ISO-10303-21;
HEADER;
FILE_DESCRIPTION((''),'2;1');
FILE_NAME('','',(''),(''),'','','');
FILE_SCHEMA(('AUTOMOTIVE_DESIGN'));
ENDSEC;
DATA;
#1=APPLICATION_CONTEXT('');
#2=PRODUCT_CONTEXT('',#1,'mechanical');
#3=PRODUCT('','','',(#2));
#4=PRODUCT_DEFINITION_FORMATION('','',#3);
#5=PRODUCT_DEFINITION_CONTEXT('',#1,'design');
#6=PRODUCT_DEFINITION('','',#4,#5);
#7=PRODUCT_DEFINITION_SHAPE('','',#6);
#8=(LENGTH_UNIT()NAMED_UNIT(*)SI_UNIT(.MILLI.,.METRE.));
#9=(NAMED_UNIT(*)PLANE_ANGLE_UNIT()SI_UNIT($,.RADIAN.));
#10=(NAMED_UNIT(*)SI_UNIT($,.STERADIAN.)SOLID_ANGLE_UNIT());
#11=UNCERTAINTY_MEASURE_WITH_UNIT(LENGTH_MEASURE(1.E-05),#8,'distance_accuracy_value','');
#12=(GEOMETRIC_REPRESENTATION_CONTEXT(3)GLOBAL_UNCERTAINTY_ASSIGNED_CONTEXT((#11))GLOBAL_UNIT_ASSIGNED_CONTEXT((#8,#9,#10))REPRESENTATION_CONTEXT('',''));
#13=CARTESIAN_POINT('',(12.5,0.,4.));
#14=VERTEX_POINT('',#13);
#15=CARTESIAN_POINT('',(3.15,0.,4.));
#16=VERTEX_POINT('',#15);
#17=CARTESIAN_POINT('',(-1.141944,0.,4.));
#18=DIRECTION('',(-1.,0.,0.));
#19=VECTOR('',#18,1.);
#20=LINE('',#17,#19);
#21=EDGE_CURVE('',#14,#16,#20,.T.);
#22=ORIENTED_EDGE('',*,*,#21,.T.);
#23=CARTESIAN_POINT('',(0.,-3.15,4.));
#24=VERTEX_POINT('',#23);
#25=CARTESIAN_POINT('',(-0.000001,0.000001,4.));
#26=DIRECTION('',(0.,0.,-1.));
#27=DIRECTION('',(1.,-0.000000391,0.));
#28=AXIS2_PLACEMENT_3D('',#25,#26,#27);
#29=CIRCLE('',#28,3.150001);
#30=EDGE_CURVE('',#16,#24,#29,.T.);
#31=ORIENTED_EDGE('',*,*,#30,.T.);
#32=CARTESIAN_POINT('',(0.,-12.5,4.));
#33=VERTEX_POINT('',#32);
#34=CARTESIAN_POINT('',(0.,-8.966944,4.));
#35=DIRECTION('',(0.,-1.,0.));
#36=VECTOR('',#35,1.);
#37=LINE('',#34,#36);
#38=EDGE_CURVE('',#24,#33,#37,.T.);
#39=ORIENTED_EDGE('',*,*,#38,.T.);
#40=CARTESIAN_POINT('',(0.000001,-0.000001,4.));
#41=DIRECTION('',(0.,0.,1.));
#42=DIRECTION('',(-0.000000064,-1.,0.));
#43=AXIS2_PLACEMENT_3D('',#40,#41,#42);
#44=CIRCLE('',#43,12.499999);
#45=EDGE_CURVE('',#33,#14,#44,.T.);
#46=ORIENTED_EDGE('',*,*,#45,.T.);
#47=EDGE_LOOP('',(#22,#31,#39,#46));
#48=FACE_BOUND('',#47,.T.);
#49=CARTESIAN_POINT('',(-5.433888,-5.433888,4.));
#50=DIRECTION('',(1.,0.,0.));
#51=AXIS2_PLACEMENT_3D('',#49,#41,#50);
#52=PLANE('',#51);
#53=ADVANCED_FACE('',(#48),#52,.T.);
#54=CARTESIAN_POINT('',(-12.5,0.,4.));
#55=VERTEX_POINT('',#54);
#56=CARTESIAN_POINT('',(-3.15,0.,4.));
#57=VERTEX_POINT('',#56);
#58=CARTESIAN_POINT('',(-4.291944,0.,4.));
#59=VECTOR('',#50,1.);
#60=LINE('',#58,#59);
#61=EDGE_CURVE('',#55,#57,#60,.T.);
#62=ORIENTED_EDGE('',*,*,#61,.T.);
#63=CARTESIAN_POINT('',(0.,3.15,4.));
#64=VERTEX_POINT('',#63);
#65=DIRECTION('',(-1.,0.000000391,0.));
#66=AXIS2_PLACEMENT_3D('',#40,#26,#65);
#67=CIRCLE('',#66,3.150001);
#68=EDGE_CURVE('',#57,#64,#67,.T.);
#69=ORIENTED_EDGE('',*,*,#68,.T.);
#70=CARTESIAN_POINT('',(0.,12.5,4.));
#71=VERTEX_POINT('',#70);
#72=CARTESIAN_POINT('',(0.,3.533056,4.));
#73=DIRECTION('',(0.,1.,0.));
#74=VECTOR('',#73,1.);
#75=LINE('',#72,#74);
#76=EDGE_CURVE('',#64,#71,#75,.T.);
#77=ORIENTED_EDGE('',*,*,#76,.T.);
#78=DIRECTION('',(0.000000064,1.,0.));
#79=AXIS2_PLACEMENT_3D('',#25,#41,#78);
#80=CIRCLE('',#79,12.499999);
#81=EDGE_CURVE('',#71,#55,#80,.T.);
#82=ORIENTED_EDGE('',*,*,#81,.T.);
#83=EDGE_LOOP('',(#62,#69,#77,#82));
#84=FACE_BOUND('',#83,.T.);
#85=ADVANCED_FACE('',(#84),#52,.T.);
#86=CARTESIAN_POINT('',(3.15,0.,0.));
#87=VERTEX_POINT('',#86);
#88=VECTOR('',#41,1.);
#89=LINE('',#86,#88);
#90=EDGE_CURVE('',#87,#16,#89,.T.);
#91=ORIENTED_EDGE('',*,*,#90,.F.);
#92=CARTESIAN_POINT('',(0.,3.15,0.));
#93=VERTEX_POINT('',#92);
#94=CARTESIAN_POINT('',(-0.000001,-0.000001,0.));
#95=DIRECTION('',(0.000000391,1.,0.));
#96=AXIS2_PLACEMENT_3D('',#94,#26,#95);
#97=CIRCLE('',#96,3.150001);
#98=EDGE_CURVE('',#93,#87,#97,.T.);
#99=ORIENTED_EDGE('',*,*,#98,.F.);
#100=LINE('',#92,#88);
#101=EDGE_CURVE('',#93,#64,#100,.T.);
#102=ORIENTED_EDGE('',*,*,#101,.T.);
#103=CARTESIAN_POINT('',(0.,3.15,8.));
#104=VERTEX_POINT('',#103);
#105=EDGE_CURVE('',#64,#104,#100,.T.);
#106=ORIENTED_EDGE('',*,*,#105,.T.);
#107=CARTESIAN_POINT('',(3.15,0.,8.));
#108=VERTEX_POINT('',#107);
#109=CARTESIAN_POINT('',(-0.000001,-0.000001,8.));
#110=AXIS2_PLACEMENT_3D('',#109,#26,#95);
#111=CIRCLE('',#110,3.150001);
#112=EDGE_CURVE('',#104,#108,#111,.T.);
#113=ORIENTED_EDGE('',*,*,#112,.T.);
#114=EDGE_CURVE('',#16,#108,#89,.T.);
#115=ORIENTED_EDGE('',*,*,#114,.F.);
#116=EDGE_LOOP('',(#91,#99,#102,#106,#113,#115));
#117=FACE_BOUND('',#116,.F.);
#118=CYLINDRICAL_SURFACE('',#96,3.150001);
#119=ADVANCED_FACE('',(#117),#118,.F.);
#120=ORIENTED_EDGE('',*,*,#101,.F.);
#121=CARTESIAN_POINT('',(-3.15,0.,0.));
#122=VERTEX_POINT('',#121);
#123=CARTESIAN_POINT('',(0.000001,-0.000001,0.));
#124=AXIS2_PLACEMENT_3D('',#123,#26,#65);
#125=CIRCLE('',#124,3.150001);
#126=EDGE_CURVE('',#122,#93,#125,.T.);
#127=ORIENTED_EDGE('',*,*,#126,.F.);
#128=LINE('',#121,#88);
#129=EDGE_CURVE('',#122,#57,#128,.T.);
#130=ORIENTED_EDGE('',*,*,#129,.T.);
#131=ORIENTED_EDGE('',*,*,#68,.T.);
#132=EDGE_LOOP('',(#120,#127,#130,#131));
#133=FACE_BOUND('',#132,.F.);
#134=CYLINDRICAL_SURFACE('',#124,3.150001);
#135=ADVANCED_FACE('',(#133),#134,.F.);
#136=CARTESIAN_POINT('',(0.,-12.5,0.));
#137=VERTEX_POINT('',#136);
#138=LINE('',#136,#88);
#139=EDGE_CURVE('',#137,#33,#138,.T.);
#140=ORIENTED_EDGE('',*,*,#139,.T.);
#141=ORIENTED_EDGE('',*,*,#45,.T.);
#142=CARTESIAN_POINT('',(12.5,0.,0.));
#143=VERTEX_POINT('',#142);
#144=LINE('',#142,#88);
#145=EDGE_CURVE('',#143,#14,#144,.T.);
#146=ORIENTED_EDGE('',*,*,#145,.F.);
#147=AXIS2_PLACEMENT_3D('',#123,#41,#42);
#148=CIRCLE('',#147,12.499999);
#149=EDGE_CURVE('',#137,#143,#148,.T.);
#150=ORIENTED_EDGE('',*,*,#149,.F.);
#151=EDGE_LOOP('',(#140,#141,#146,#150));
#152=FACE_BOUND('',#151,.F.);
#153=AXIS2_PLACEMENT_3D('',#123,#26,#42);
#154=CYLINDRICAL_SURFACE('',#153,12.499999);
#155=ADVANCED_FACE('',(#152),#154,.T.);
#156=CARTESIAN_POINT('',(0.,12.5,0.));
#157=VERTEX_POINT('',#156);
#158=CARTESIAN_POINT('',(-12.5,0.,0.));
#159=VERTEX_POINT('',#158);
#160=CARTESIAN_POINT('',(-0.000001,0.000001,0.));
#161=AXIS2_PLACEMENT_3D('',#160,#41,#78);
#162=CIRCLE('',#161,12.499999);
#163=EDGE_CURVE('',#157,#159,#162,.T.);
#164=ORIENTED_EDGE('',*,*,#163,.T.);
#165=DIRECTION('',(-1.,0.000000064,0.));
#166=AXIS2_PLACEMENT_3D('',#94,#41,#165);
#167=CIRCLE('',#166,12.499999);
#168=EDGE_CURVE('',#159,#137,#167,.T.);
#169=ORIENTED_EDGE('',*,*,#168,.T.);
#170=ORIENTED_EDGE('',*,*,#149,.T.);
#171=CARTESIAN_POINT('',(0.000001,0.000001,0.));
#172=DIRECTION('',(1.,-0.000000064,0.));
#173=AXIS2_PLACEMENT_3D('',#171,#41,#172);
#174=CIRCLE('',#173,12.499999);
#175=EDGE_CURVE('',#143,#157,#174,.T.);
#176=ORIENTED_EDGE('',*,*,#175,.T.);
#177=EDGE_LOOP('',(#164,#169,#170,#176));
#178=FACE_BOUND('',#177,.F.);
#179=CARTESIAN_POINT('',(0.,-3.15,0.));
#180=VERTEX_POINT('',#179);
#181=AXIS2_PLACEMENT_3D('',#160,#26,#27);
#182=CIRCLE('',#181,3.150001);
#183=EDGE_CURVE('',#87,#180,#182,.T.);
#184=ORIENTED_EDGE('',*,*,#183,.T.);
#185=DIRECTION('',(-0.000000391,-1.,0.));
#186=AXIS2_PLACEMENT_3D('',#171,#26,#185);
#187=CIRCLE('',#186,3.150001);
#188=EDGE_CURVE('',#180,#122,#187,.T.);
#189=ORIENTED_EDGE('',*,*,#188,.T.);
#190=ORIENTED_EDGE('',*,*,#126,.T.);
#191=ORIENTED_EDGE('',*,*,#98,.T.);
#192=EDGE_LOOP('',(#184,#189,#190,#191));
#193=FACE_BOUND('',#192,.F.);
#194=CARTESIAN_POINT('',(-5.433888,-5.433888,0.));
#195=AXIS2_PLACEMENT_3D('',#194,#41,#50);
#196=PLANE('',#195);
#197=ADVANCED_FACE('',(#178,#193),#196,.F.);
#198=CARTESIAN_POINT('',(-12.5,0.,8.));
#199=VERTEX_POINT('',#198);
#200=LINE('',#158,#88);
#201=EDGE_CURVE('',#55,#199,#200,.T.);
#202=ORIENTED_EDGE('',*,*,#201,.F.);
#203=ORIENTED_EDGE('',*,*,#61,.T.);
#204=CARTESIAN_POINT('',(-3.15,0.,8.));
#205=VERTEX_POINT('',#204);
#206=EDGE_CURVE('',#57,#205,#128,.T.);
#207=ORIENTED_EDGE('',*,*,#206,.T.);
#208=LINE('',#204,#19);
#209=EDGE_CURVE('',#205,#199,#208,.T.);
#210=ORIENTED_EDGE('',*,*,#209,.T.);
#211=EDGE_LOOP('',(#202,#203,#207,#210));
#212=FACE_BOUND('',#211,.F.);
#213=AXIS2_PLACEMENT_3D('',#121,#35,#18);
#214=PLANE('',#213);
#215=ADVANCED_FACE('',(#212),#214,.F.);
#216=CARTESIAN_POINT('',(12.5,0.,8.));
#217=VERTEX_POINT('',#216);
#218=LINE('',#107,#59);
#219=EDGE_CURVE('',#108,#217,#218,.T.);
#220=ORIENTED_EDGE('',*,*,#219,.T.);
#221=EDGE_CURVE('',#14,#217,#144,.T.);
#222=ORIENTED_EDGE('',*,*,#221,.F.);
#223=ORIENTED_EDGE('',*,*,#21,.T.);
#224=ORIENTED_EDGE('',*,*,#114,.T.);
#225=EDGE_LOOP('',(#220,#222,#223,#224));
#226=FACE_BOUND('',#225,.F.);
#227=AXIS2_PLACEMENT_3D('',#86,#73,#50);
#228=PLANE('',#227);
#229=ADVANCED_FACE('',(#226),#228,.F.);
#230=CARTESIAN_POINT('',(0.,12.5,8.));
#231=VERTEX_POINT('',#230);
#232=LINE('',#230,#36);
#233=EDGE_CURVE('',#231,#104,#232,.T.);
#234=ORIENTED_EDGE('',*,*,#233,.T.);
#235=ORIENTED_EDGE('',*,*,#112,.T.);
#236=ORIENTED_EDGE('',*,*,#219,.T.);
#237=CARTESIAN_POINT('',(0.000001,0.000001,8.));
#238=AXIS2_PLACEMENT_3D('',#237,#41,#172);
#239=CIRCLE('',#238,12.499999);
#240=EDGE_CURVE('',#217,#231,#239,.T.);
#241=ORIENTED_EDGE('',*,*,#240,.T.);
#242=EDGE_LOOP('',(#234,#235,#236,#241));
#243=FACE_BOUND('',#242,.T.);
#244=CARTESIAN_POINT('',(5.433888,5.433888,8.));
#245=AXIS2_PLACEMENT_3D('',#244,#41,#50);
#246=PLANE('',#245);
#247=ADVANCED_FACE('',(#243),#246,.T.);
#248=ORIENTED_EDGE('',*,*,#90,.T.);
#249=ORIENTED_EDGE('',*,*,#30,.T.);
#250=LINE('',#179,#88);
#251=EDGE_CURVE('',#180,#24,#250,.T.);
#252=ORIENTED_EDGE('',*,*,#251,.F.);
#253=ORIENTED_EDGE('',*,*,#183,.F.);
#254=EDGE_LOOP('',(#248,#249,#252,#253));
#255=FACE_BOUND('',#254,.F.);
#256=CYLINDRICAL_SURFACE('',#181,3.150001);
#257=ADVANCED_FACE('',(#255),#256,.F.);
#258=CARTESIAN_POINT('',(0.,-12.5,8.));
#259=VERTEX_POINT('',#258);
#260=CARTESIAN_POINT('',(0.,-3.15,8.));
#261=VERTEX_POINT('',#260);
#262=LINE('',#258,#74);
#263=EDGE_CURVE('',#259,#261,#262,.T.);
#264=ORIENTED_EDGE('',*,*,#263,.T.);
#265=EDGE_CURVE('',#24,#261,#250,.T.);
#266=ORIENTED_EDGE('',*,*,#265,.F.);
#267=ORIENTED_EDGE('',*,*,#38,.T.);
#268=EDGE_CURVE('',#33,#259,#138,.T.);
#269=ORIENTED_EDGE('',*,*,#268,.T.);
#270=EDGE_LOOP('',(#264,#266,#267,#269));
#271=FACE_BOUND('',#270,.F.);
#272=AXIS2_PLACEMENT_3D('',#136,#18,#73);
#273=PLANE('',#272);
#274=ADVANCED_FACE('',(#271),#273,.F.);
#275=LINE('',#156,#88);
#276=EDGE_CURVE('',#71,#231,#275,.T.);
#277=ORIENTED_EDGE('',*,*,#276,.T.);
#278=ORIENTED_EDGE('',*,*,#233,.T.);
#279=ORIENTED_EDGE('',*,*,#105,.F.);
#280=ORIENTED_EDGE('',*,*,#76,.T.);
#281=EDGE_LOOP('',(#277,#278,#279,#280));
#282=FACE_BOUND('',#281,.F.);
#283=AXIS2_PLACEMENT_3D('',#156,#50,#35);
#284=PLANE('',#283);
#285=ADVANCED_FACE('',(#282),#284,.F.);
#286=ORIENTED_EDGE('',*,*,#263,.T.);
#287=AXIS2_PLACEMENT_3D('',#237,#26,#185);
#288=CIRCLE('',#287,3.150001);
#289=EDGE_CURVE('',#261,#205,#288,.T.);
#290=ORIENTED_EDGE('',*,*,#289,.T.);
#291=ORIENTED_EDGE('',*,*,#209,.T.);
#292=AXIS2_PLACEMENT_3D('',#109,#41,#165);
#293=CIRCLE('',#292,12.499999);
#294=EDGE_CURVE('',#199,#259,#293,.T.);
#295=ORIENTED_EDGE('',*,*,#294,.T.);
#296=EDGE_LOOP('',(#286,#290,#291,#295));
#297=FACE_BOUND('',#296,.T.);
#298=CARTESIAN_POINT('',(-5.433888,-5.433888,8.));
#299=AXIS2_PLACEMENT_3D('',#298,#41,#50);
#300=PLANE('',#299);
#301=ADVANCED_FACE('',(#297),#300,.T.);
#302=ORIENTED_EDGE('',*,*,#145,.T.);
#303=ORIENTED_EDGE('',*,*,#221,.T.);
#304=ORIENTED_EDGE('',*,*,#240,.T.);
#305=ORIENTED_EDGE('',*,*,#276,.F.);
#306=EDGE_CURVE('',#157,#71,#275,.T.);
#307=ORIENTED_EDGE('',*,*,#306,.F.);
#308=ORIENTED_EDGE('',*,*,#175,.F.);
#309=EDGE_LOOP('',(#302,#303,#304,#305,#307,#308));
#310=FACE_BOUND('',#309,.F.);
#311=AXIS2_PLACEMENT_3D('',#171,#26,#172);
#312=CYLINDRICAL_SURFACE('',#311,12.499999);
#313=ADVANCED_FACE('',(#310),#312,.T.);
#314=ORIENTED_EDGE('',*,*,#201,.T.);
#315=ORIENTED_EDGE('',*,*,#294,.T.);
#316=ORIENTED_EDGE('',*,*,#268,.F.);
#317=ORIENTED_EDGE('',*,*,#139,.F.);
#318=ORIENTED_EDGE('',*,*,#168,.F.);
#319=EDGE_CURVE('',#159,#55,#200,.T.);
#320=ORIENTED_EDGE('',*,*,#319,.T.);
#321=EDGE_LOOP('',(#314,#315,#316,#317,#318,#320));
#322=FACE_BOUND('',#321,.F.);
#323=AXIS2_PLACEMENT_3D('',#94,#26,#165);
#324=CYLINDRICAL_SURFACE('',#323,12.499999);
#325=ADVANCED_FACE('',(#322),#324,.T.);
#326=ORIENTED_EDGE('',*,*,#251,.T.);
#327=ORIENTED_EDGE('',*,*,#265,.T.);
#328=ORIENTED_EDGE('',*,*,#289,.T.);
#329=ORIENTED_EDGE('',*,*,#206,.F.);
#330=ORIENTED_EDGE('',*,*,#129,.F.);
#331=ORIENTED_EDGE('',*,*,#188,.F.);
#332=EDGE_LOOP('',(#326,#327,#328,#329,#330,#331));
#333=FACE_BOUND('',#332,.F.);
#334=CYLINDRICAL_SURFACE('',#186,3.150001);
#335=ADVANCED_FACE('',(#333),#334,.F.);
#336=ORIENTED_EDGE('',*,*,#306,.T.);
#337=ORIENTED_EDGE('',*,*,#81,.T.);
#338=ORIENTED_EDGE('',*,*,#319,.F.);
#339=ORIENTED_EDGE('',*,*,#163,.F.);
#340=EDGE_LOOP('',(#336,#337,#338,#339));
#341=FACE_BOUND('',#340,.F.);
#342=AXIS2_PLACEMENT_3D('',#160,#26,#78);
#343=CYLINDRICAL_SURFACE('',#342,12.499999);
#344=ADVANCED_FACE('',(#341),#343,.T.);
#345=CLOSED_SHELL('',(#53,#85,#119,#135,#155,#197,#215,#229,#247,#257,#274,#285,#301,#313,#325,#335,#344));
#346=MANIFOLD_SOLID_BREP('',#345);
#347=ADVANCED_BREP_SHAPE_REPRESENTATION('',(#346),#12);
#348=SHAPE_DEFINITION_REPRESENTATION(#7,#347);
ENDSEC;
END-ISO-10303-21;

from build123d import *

# Parameters (mm, degrees)
F1_DEPTH = 4
F2_DEPTH = 8


with BuildPart() as f1:
    # F0 (on Top) → F1 (new body)
    with BuildSketch(Plane.XY):
        with BuildLine():
            ThreePointArc((-12.5, 0), (-8.838835, -8.838835), (0, -12.5))
            Line((0, -12.5), (0, -3.15))
            ThreePointArc((0, -3.15), (-2.227386, -2.227386), (-3.15, 0))
            Line((-3.15, 0), (-12.5, 0))
        make_face()
        with BuildLine():
            Line((0, 3.15), (0, 12.5))
            ThreePointArc((0, 12.5), (-8.838835, 8.838835), (-12.5, 0))
            Line((-12.5, 0), (-3.15, 0))
            ThreePointArc((-3.15, 0), (-2.227386, 2.227386), (0, 3.15))
        make_face()
        with BuildLine():
            Line((3.15, 0), (12.5, 0))
            ThreePointArc((12.5, 0), (8.838835, 8.838835), (0, 12.5))
            Line((0, 12.5), (0, 3.15))
            ThreePointArc((0, 3.15), (2.227386, 2.227386), (3.15, 0))
        make_face()
        with BuildLine():
            ThreePointArc((0, -12.5), (8.838835, -8.838835), (12.5, 0))
            Line((12.5, 0), (3.15, 0))
            ThreePointArc((3.15, 0), (2.227386, -2.227386), (0, -3.15))
            Line((0, -3.15), (0, -12.5))
        make_face()
    extrude(amount=F1_DEPTH)

    # F0 (on Top) → F2 (join)
    with BuildSketch(Plane.XY):
        with BuildLine():
            Line((3.15, 0), (12.5, 0))
            ThreePointArc((12.5, 0), (8.838835, 8.838835), (0, 12.5))
            Line((0, 12.5), (0, 3.15))
            ThreePointArc((0, 3.15), (2.227386, 2.227386), (3.15, 0))
        make_face()
        with BuildLine():
            ThreePointArc((-12.5, 0), (-8.838835, -8.838835), (0, -12.5))
            Line((0, -12.5), (0, -3.15))
            ThreePointArc((0, -3.15), (-2.227386, -2.227386), (-3.15, 0))
            Line((-3.15, 0), (-12.5, 0))
        make_face()
    extrude(amount=F2_DEPTH)


solid = f1.part
